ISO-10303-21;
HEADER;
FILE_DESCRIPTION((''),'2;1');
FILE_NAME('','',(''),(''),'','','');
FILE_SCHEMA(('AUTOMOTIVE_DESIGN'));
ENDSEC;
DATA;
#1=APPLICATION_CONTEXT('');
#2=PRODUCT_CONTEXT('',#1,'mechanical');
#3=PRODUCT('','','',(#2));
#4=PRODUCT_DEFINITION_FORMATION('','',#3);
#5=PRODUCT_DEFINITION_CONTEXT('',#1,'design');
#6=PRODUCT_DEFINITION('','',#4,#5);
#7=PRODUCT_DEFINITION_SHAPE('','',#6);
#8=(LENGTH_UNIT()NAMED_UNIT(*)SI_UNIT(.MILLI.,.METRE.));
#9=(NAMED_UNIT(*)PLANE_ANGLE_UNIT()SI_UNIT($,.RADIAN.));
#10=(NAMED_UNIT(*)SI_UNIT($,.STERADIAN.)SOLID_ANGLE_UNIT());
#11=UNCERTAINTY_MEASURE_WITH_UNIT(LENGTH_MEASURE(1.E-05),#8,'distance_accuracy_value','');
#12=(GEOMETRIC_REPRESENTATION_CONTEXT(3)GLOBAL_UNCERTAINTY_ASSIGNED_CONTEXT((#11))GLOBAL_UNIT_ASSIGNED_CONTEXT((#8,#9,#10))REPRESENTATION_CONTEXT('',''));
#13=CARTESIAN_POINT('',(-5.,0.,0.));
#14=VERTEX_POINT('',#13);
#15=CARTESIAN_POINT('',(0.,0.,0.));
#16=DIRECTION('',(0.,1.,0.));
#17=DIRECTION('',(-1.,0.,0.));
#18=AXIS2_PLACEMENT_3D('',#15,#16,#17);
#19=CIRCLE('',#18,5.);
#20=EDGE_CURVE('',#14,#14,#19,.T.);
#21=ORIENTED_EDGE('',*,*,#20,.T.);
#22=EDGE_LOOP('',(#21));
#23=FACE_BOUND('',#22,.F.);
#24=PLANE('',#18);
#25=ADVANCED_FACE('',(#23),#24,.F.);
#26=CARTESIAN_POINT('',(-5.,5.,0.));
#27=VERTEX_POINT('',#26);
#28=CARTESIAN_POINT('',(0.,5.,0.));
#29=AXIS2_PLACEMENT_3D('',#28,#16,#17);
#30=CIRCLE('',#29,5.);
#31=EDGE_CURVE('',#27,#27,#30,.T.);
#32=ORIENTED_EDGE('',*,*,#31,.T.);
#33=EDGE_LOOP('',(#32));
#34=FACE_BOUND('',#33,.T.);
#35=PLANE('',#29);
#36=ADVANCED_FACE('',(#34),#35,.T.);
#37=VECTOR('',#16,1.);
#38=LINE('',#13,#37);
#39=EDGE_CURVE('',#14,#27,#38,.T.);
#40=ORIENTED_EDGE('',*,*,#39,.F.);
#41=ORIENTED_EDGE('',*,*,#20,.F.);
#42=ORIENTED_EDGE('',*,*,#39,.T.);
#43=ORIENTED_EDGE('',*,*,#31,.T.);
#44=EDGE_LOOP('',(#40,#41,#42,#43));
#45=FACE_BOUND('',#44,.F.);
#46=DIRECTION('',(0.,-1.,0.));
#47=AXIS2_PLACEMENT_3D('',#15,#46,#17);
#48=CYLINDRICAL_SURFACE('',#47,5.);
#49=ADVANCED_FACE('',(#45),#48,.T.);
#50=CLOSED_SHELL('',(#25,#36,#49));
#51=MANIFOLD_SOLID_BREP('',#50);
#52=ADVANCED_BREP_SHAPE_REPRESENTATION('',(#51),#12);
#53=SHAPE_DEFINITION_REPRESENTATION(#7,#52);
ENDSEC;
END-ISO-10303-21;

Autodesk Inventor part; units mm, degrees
sketch "Sketch1" plane through (0, 0, 0) normal (0, 1, 0) x (-1, 0, 0)
  circle A0 centre (0, 0) radius 5
  dimension "d0" = 10
extrude "Extrusion1" add sketch "Sketch1" along normal blind 5
properties part number "magnet10_5" material "Iron, Ductile"
